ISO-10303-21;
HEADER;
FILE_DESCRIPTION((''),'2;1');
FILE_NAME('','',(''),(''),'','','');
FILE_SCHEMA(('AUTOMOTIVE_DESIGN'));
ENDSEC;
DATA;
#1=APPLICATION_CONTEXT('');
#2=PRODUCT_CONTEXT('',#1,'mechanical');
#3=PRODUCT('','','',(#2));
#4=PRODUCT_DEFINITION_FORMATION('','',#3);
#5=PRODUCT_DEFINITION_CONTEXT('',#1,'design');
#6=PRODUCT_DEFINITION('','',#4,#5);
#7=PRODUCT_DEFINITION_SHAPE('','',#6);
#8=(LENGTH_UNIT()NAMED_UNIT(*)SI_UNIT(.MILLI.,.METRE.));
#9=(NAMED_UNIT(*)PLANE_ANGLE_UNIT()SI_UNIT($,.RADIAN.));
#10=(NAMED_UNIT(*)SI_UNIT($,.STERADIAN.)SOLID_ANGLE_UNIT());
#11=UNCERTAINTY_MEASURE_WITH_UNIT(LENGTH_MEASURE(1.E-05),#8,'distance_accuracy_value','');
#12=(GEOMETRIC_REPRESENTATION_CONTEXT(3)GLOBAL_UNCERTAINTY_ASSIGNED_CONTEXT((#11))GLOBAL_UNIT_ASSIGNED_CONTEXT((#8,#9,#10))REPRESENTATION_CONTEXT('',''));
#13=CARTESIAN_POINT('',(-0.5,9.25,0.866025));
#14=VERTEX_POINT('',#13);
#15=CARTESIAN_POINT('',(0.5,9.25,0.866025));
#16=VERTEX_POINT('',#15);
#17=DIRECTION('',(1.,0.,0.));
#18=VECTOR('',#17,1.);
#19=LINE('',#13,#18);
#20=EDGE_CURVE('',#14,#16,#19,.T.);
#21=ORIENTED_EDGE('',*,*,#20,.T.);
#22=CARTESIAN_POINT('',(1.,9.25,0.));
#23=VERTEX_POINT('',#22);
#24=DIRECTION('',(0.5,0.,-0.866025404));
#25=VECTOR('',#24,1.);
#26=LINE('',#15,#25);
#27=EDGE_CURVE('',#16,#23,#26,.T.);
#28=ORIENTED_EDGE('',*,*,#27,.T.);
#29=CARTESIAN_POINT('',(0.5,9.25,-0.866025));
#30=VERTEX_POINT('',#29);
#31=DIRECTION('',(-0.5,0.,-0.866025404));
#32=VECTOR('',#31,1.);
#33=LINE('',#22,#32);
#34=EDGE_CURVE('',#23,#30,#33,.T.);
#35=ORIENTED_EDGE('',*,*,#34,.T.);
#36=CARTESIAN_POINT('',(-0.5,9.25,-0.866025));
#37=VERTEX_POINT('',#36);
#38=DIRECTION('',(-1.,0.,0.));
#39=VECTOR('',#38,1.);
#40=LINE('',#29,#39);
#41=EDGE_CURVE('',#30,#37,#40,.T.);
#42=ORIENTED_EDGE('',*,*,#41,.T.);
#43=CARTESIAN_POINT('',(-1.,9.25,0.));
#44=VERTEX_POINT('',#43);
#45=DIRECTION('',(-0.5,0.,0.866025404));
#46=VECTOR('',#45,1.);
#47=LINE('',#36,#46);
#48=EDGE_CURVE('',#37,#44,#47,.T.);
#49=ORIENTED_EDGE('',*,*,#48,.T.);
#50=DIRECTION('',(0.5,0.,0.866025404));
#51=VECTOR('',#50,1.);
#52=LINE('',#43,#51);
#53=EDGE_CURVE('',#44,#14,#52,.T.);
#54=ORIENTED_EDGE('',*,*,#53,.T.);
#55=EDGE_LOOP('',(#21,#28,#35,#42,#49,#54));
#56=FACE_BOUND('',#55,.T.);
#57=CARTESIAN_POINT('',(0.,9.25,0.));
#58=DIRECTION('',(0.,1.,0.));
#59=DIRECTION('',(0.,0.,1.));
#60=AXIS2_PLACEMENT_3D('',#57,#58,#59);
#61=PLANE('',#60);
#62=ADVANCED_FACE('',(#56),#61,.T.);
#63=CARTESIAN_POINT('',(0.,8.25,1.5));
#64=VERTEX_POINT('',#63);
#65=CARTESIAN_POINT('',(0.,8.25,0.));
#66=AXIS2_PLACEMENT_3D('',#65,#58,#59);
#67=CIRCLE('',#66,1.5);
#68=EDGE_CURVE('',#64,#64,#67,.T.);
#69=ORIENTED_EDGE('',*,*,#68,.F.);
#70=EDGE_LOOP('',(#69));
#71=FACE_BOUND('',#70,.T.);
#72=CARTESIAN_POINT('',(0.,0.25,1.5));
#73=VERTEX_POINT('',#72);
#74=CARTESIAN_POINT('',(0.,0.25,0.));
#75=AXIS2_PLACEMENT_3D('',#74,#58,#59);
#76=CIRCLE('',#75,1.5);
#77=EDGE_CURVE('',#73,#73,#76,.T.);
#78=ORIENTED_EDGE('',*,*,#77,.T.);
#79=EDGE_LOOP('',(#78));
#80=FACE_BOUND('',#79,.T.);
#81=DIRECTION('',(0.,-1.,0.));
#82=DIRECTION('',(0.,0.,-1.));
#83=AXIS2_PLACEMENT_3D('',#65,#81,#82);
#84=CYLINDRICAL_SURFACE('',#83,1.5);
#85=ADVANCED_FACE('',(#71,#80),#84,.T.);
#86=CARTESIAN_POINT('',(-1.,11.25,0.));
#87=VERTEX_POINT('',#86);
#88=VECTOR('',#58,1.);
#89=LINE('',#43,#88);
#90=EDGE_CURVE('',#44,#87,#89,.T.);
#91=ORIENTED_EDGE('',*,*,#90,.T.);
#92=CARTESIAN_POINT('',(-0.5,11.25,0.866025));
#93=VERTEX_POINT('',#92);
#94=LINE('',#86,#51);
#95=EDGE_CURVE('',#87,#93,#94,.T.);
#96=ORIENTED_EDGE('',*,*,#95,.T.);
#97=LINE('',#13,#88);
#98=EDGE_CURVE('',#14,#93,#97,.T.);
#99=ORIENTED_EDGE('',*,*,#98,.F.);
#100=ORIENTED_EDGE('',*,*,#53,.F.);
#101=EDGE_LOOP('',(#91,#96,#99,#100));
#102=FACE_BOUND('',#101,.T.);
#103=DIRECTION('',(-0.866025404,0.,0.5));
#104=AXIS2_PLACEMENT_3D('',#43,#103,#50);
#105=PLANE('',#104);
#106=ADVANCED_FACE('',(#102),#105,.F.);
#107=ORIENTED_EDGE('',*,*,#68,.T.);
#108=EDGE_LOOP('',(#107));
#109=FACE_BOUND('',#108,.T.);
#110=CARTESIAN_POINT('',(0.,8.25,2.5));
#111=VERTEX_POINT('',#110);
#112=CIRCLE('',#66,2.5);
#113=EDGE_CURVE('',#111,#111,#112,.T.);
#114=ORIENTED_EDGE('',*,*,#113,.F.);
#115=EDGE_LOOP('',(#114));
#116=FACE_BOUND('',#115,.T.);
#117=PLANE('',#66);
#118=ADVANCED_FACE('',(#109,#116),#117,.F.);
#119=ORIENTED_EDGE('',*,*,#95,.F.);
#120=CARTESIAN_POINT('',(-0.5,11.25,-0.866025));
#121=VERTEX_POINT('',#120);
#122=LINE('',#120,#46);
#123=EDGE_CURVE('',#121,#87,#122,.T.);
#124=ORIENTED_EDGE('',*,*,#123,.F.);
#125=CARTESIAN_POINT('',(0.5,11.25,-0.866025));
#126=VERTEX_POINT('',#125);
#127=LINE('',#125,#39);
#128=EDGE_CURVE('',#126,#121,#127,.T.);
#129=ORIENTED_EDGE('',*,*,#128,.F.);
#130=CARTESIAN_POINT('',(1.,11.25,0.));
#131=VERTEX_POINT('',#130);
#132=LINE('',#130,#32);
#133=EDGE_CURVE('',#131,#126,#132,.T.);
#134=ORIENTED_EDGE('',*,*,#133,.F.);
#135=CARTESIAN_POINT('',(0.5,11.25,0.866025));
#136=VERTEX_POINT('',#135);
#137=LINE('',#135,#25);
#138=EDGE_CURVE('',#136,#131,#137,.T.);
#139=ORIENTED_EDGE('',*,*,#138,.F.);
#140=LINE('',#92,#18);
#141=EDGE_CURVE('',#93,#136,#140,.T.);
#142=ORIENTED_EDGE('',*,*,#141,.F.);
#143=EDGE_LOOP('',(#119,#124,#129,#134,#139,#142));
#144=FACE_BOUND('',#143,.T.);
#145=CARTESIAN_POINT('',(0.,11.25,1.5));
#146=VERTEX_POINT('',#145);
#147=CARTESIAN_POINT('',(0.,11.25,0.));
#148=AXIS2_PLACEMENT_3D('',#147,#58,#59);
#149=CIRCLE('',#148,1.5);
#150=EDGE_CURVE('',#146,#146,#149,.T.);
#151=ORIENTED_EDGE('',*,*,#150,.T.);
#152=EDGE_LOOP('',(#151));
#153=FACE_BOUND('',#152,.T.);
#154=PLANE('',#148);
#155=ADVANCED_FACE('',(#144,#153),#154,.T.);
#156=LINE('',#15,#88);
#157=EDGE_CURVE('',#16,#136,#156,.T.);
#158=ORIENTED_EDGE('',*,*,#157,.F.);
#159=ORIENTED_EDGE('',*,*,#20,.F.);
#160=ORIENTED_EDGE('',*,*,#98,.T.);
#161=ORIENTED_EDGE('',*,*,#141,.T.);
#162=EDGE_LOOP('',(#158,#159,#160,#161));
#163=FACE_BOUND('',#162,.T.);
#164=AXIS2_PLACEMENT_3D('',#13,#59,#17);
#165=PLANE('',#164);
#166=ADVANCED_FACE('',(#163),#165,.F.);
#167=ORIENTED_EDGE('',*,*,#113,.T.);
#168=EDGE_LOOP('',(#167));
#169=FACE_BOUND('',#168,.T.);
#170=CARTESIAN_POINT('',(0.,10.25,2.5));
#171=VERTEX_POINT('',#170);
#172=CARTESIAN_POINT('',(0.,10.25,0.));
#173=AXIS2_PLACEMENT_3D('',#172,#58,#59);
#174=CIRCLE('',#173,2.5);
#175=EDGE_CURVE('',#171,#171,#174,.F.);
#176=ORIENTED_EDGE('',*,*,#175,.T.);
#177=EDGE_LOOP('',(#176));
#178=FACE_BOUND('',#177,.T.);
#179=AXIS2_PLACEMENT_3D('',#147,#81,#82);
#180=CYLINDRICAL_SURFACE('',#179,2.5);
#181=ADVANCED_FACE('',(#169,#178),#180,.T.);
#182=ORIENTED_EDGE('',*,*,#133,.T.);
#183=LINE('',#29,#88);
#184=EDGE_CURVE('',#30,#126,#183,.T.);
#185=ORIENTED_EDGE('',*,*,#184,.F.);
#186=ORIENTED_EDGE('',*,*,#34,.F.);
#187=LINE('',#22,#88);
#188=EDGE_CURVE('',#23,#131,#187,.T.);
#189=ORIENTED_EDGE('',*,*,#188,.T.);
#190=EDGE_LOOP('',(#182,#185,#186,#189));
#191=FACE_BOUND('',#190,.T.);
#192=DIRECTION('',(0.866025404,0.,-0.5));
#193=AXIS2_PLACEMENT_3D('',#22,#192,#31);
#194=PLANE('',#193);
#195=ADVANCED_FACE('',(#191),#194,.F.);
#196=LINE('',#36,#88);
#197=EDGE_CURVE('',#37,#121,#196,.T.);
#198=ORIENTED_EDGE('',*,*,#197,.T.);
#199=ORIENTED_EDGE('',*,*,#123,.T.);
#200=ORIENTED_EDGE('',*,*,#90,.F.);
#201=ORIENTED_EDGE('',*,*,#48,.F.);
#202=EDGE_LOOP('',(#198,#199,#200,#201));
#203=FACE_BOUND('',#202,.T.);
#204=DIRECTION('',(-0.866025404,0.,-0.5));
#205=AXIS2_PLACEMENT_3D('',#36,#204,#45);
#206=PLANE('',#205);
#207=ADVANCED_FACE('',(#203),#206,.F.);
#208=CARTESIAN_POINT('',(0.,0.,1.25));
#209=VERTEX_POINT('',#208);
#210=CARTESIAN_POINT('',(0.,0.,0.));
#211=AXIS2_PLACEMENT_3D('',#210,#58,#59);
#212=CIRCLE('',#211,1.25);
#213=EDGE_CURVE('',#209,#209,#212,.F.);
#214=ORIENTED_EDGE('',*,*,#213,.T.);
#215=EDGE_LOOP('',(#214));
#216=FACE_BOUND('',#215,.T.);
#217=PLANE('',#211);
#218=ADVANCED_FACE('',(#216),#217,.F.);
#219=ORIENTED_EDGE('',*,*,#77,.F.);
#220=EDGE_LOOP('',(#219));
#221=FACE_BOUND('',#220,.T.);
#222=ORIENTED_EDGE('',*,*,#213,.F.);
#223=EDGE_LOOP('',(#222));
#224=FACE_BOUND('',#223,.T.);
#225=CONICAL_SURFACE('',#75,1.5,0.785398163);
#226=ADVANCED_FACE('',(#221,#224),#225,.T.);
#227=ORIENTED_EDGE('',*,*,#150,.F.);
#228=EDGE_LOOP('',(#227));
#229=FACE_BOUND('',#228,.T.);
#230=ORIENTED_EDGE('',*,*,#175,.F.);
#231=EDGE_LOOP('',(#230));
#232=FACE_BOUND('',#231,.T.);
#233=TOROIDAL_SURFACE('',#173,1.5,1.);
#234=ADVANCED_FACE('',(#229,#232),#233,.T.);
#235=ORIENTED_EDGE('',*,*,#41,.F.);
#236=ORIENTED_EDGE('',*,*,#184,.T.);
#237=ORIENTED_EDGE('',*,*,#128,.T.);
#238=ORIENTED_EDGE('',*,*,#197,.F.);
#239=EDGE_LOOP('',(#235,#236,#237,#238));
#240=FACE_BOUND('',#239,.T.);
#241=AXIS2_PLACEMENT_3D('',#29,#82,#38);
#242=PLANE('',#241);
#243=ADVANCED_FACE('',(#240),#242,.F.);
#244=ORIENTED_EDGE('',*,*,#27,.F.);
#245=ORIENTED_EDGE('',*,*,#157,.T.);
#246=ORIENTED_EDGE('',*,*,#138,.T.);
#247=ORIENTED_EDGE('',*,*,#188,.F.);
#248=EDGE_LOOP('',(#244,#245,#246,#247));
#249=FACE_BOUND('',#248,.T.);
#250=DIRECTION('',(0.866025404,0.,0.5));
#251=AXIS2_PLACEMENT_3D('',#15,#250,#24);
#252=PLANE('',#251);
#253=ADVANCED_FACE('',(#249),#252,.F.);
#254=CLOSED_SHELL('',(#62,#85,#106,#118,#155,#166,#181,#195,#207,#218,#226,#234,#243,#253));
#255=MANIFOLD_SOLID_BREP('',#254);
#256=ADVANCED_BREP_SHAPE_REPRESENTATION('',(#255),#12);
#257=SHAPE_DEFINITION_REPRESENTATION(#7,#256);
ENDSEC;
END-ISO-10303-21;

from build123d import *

# Parameters (mm, degrees)
SKETCH1_R           = 1.5
BOSS_EXTRUDE1_DEPTH = 8.25
SKETCH2_R           = 2.5
BOSS_EXTRUDE2_DEPTH = 3
FILLET1_R           = 1
CHAMFER1_SIZE       = 0.25
CUT_EXTRUDE1_DEPTH  = 2


with BuildPart() as part:
    # Sketch1 → Boss-Extrude1 (new body)
    with BuildSketch(Plane(origin=(0, 0, 0), x_dir=(1, 0, 0), z_dir=(0, 1, 0))):
        with Locations(Location((0, 0, 0), (0, 0, 270))):
            Circle(SKETCH1_R)
    extrude(amount=BOSS_EXTRUDE1_DEPTH)

    # Sketch2 → Boss-Extrude2 (add)
    with BuildSketch(Plane(origin=(0, 8.25, 0), x_dir=(1, 0, 0), z_dir=(0, 1, 0))):
        with Locations(Location((0, 0, 0), (0, 0, 270))):
            Circle(SKETCH2_R)
    extrude(amount=BOSS_EXTRUDE2_DEPTH)

    # Fillet1
    fillet1_edges = [part.edges().sort_by_distance(p)[0] for p in [
        (0, 11.25, -2.5),
    ]]
    fillet(fillet1_edges, radius=FILLET1_R)

    # Chamfer1
    chamfer1_edges = [part.edges().sort_by_distance(p)[0] for p in [
        (0, 0, -1.5),
    ]]
    chamfer(chamfer1_edges, length=CHAMFER1_SIZE)

    # Sketch3 → Cut-Extrude1 (cut)
    with BuildSketch(Plane(origin=(0, 11.25, 0), x_dir=(1, 0, 0), z_dir=(0, 1, 0))):
        Polygon((-1, 0), (-0.5, -0.866025404), (0.5, -0.866025404), (1, 0), (0.5, 0.866025404), (-0.5, 0.866025404), align=None)
    extrude(amount=-CUT_EXTRUDE1_DEPTH, mode=Mode.SUBTRACT)


solid = part.part
